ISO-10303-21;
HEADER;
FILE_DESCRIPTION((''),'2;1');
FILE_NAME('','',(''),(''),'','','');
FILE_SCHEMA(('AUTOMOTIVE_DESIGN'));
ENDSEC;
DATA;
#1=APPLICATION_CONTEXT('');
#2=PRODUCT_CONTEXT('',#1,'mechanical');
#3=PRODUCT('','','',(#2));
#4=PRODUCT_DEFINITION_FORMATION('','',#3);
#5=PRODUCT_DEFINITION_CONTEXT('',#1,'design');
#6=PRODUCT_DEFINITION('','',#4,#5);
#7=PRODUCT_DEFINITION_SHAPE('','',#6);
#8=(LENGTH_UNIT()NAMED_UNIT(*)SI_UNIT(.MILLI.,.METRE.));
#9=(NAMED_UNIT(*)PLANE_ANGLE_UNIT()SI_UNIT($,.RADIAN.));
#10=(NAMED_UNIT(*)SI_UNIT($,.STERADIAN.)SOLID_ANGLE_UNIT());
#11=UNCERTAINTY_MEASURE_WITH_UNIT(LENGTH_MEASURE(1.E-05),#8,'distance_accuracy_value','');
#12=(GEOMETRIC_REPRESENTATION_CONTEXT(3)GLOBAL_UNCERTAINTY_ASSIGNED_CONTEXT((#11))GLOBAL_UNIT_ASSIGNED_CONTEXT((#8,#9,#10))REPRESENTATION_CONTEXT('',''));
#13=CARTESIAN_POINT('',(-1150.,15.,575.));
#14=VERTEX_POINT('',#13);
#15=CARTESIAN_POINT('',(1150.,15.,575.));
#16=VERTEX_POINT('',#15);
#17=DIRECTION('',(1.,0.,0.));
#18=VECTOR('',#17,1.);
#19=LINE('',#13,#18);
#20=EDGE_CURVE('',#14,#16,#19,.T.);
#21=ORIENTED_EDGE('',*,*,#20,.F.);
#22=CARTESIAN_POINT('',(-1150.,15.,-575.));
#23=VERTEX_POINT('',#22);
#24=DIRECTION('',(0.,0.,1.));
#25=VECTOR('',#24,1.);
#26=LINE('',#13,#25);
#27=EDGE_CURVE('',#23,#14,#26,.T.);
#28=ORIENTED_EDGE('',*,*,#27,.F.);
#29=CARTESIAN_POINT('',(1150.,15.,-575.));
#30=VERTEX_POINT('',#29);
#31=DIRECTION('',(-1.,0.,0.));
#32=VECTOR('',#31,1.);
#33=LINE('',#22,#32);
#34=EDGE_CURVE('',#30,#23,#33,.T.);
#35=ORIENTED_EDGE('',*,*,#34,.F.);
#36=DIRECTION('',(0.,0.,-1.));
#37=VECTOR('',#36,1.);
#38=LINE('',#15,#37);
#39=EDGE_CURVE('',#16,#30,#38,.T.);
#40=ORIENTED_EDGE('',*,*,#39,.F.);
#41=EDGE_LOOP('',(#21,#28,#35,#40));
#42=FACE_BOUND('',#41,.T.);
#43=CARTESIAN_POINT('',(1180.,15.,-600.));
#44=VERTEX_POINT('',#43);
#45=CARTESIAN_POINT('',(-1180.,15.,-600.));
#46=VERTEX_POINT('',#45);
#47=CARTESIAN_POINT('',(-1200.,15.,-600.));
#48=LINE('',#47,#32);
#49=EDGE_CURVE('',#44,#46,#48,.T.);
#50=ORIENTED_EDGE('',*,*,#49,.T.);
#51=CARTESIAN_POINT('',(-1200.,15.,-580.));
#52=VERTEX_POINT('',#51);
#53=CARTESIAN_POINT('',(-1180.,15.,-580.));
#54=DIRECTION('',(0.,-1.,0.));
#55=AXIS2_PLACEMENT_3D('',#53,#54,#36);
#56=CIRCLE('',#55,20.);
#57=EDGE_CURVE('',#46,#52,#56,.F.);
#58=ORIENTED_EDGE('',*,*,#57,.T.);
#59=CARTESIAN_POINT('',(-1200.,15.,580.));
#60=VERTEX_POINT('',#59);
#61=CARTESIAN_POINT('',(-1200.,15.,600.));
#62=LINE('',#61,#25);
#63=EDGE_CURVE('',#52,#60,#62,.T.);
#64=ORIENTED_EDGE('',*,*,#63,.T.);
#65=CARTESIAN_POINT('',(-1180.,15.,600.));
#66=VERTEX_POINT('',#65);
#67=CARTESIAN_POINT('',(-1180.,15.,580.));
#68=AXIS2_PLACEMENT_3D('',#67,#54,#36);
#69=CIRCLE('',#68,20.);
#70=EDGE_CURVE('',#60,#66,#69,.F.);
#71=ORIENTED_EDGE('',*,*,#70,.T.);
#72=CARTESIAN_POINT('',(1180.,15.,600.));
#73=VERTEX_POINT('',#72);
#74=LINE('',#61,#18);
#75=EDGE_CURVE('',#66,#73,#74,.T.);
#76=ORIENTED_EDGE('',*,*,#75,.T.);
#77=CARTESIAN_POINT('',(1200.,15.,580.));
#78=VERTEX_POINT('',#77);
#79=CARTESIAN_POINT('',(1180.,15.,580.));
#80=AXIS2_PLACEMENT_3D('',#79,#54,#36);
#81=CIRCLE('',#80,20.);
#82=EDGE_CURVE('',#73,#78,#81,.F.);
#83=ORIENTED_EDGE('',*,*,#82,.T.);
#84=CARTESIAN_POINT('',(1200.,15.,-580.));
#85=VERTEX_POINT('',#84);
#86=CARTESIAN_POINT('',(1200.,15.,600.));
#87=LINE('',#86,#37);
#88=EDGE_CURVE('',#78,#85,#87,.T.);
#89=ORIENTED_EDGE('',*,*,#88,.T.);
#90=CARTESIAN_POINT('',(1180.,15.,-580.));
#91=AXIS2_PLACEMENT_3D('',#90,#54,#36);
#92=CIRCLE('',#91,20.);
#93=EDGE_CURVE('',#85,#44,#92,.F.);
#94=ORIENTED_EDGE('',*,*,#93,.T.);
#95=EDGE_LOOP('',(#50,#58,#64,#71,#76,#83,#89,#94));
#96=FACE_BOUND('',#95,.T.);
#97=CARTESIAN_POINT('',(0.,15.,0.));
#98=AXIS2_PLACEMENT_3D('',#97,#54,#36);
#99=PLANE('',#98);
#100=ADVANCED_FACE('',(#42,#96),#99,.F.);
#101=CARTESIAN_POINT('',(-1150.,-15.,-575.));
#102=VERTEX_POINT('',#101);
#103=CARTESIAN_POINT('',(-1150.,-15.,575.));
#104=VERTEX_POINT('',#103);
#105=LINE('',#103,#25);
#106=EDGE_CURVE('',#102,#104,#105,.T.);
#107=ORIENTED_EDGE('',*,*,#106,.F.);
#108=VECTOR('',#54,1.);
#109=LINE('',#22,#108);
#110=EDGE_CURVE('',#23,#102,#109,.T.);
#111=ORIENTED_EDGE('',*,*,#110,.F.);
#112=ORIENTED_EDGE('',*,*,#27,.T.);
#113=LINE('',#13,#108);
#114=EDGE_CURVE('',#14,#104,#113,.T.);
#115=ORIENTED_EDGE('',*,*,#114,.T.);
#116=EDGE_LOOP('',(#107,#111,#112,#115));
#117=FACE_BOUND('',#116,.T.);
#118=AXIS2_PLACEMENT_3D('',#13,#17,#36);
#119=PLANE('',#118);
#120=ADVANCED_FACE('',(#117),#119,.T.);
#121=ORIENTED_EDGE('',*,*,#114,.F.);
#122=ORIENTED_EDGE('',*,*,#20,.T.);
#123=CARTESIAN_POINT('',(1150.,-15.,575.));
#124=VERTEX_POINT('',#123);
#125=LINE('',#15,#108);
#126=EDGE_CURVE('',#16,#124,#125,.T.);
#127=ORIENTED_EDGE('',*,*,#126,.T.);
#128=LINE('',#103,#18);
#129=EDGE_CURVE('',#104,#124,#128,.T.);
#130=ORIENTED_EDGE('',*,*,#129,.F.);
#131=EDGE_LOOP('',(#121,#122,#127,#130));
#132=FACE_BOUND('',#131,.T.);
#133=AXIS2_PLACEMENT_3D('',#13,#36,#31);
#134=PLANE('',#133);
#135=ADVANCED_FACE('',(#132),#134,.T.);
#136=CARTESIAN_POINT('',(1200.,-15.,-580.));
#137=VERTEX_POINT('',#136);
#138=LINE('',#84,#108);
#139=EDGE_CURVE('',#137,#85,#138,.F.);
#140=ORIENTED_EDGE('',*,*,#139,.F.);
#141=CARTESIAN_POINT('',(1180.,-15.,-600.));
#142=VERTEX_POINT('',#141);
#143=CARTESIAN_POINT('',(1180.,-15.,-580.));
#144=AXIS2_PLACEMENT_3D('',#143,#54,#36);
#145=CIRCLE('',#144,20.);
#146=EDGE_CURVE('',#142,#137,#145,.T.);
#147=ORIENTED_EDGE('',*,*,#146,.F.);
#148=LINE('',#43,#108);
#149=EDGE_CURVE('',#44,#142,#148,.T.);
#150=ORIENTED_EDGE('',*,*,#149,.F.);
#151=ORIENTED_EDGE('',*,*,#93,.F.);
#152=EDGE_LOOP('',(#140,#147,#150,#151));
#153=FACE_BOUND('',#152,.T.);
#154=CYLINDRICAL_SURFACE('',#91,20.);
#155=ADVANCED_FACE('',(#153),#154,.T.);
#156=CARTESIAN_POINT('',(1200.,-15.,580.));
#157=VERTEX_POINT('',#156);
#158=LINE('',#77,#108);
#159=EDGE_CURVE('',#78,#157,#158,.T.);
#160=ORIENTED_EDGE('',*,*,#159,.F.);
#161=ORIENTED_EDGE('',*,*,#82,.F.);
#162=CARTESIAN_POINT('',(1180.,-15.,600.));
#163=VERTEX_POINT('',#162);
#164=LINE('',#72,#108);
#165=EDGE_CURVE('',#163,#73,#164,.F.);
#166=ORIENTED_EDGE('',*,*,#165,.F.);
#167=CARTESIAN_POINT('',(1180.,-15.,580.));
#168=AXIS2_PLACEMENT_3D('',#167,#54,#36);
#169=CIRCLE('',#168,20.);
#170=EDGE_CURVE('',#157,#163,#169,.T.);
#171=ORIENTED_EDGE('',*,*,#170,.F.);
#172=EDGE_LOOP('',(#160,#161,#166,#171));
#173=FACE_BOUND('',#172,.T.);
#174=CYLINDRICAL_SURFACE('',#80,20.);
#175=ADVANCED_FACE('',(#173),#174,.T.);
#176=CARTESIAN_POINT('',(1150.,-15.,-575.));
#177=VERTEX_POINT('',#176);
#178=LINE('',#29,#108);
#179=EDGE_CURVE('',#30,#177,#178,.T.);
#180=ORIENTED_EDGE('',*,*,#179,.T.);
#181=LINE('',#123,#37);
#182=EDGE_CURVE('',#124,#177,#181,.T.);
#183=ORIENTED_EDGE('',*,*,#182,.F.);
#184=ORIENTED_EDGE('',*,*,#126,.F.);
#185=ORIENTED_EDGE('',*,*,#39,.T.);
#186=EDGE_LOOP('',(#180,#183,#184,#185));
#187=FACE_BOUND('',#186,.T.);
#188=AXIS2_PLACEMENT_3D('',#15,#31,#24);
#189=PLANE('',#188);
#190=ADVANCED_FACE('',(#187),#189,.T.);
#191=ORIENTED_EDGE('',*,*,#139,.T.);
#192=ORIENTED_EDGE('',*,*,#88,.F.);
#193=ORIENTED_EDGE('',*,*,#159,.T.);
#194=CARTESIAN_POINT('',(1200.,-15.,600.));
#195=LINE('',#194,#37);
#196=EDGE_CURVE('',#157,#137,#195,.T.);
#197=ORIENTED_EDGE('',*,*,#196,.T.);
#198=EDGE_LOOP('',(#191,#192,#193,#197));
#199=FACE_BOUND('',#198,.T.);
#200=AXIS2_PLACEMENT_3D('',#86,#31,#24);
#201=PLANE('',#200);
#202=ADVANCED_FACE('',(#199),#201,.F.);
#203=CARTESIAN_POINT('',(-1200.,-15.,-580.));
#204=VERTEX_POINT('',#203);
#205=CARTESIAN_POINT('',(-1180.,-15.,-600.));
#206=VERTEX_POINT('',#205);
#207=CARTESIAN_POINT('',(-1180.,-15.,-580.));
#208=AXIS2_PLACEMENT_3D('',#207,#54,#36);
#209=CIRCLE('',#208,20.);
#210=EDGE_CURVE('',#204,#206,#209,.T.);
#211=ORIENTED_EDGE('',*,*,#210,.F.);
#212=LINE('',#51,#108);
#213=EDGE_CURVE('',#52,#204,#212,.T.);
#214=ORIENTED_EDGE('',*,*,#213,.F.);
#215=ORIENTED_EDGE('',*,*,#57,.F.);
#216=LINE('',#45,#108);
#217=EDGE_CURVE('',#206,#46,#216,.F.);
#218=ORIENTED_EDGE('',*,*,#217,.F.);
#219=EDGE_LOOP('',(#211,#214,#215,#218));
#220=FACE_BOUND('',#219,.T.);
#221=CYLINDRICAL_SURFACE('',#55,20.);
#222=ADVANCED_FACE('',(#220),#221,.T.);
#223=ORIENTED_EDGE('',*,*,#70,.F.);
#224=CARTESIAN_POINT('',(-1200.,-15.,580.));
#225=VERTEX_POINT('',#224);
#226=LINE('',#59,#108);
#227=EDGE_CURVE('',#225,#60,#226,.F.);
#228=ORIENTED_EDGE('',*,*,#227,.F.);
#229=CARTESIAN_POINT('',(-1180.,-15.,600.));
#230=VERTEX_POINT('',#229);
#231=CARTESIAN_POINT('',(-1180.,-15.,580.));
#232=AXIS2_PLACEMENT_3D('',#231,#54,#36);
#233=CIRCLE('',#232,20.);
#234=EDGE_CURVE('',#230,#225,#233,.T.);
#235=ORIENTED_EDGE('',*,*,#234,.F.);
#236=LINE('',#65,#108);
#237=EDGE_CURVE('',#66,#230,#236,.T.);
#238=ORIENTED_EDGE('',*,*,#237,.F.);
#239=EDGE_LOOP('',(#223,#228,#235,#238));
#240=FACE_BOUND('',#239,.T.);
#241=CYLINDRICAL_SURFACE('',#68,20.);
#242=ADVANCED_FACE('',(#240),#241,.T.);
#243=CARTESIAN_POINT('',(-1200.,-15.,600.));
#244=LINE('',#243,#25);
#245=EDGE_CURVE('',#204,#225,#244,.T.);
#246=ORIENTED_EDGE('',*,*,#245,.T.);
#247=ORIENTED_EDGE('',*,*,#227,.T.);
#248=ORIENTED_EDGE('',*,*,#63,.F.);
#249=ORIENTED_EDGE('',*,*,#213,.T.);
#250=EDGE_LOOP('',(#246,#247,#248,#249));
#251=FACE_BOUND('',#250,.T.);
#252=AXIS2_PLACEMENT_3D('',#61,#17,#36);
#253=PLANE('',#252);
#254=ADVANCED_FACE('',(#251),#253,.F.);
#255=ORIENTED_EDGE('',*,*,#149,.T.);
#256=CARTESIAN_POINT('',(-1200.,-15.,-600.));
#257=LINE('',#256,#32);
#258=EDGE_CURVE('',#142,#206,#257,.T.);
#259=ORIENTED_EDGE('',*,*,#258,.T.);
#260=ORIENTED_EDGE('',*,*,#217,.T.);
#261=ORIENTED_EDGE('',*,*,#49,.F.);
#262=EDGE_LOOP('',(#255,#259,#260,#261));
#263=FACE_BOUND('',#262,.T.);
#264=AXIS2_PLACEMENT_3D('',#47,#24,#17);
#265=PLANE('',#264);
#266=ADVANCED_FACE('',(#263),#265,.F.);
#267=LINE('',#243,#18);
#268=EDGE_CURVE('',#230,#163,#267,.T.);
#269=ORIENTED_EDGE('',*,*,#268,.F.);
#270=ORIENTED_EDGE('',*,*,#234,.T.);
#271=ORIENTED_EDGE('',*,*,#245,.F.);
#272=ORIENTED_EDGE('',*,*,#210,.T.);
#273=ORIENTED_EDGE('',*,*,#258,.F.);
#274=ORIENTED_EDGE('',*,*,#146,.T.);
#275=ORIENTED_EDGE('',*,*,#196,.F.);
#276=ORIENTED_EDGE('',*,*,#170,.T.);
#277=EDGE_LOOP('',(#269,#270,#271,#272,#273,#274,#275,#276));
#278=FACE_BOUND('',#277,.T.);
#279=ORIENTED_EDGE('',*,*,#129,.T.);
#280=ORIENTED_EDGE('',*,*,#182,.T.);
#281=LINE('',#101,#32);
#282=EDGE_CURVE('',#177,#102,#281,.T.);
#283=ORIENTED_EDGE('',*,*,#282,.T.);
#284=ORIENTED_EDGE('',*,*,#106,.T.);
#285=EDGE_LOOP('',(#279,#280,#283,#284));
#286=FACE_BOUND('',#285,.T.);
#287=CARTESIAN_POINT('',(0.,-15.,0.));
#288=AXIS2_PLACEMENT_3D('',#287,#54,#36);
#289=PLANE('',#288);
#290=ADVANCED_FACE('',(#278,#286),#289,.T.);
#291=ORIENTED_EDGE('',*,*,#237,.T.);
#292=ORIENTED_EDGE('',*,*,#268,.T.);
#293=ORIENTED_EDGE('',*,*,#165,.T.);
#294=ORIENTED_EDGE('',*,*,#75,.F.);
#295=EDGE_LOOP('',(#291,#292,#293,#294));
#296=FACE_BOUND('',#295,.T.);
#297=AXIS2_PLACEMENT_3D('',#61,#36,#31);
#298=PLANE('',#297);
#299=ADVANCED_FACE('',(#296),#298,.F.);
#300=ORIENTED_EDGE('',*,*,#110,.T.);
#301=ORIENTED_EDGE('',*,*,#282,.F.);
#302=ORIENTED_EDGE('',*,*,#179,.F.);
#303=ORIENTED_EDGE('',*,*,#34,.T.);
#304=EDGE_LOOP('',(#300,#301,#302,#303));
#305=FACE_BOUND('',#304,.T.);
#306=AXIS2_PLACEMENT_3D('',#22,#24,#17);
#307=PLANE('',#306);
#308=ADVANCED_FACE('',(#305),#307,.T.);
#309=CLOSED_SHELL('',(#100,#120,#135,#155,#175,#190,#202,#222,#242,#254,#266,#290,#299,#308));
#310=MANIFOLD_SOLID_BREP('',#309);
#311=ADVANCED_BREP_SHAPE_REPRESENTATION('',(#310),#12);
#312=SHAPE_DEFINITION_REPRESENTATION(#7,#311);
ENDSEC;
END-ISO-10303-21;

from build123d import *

# Parameters (mm, degrees)
SKETCH1_W           = 2400
SKETCH1_H           = 1200
SKETCH1_W_2         = 2300
SKETCH1_H_2         = 1150
BOSS_EXTRUDE1_DEPTH = 15
FILLET1_R           = 20


with BuildPart() as part:
    # Sketch1 → Boss-Extrude1 (new body, symmetric)
    with BuildSketch(Plane(origin=(0, 0, 0), x_dir=(1, 0, 0), z_dir=(0, 1, 0))):
        Rectangle(SKETCH1_W, SKETCH1_H)
        Rectangle(SKETCH1_W_2, SKETCH1_H_2, mode=Mode.SUBTRACT)
    extrude(amount=BOSS_EXTRUDE1_DEPTH, both=True)

    # Fillet1
    fillet1_edges = [part.edges().sort_by_distance(p)[0] for p in [
        (1200, 0, 600),
        (-1200, 0, 600),
        (-1200, 0, -600),
        (1200, 0, -600),
    ]]
    fillet(fillet1_edges, radius=FILLET1_R)


solid = part.part
